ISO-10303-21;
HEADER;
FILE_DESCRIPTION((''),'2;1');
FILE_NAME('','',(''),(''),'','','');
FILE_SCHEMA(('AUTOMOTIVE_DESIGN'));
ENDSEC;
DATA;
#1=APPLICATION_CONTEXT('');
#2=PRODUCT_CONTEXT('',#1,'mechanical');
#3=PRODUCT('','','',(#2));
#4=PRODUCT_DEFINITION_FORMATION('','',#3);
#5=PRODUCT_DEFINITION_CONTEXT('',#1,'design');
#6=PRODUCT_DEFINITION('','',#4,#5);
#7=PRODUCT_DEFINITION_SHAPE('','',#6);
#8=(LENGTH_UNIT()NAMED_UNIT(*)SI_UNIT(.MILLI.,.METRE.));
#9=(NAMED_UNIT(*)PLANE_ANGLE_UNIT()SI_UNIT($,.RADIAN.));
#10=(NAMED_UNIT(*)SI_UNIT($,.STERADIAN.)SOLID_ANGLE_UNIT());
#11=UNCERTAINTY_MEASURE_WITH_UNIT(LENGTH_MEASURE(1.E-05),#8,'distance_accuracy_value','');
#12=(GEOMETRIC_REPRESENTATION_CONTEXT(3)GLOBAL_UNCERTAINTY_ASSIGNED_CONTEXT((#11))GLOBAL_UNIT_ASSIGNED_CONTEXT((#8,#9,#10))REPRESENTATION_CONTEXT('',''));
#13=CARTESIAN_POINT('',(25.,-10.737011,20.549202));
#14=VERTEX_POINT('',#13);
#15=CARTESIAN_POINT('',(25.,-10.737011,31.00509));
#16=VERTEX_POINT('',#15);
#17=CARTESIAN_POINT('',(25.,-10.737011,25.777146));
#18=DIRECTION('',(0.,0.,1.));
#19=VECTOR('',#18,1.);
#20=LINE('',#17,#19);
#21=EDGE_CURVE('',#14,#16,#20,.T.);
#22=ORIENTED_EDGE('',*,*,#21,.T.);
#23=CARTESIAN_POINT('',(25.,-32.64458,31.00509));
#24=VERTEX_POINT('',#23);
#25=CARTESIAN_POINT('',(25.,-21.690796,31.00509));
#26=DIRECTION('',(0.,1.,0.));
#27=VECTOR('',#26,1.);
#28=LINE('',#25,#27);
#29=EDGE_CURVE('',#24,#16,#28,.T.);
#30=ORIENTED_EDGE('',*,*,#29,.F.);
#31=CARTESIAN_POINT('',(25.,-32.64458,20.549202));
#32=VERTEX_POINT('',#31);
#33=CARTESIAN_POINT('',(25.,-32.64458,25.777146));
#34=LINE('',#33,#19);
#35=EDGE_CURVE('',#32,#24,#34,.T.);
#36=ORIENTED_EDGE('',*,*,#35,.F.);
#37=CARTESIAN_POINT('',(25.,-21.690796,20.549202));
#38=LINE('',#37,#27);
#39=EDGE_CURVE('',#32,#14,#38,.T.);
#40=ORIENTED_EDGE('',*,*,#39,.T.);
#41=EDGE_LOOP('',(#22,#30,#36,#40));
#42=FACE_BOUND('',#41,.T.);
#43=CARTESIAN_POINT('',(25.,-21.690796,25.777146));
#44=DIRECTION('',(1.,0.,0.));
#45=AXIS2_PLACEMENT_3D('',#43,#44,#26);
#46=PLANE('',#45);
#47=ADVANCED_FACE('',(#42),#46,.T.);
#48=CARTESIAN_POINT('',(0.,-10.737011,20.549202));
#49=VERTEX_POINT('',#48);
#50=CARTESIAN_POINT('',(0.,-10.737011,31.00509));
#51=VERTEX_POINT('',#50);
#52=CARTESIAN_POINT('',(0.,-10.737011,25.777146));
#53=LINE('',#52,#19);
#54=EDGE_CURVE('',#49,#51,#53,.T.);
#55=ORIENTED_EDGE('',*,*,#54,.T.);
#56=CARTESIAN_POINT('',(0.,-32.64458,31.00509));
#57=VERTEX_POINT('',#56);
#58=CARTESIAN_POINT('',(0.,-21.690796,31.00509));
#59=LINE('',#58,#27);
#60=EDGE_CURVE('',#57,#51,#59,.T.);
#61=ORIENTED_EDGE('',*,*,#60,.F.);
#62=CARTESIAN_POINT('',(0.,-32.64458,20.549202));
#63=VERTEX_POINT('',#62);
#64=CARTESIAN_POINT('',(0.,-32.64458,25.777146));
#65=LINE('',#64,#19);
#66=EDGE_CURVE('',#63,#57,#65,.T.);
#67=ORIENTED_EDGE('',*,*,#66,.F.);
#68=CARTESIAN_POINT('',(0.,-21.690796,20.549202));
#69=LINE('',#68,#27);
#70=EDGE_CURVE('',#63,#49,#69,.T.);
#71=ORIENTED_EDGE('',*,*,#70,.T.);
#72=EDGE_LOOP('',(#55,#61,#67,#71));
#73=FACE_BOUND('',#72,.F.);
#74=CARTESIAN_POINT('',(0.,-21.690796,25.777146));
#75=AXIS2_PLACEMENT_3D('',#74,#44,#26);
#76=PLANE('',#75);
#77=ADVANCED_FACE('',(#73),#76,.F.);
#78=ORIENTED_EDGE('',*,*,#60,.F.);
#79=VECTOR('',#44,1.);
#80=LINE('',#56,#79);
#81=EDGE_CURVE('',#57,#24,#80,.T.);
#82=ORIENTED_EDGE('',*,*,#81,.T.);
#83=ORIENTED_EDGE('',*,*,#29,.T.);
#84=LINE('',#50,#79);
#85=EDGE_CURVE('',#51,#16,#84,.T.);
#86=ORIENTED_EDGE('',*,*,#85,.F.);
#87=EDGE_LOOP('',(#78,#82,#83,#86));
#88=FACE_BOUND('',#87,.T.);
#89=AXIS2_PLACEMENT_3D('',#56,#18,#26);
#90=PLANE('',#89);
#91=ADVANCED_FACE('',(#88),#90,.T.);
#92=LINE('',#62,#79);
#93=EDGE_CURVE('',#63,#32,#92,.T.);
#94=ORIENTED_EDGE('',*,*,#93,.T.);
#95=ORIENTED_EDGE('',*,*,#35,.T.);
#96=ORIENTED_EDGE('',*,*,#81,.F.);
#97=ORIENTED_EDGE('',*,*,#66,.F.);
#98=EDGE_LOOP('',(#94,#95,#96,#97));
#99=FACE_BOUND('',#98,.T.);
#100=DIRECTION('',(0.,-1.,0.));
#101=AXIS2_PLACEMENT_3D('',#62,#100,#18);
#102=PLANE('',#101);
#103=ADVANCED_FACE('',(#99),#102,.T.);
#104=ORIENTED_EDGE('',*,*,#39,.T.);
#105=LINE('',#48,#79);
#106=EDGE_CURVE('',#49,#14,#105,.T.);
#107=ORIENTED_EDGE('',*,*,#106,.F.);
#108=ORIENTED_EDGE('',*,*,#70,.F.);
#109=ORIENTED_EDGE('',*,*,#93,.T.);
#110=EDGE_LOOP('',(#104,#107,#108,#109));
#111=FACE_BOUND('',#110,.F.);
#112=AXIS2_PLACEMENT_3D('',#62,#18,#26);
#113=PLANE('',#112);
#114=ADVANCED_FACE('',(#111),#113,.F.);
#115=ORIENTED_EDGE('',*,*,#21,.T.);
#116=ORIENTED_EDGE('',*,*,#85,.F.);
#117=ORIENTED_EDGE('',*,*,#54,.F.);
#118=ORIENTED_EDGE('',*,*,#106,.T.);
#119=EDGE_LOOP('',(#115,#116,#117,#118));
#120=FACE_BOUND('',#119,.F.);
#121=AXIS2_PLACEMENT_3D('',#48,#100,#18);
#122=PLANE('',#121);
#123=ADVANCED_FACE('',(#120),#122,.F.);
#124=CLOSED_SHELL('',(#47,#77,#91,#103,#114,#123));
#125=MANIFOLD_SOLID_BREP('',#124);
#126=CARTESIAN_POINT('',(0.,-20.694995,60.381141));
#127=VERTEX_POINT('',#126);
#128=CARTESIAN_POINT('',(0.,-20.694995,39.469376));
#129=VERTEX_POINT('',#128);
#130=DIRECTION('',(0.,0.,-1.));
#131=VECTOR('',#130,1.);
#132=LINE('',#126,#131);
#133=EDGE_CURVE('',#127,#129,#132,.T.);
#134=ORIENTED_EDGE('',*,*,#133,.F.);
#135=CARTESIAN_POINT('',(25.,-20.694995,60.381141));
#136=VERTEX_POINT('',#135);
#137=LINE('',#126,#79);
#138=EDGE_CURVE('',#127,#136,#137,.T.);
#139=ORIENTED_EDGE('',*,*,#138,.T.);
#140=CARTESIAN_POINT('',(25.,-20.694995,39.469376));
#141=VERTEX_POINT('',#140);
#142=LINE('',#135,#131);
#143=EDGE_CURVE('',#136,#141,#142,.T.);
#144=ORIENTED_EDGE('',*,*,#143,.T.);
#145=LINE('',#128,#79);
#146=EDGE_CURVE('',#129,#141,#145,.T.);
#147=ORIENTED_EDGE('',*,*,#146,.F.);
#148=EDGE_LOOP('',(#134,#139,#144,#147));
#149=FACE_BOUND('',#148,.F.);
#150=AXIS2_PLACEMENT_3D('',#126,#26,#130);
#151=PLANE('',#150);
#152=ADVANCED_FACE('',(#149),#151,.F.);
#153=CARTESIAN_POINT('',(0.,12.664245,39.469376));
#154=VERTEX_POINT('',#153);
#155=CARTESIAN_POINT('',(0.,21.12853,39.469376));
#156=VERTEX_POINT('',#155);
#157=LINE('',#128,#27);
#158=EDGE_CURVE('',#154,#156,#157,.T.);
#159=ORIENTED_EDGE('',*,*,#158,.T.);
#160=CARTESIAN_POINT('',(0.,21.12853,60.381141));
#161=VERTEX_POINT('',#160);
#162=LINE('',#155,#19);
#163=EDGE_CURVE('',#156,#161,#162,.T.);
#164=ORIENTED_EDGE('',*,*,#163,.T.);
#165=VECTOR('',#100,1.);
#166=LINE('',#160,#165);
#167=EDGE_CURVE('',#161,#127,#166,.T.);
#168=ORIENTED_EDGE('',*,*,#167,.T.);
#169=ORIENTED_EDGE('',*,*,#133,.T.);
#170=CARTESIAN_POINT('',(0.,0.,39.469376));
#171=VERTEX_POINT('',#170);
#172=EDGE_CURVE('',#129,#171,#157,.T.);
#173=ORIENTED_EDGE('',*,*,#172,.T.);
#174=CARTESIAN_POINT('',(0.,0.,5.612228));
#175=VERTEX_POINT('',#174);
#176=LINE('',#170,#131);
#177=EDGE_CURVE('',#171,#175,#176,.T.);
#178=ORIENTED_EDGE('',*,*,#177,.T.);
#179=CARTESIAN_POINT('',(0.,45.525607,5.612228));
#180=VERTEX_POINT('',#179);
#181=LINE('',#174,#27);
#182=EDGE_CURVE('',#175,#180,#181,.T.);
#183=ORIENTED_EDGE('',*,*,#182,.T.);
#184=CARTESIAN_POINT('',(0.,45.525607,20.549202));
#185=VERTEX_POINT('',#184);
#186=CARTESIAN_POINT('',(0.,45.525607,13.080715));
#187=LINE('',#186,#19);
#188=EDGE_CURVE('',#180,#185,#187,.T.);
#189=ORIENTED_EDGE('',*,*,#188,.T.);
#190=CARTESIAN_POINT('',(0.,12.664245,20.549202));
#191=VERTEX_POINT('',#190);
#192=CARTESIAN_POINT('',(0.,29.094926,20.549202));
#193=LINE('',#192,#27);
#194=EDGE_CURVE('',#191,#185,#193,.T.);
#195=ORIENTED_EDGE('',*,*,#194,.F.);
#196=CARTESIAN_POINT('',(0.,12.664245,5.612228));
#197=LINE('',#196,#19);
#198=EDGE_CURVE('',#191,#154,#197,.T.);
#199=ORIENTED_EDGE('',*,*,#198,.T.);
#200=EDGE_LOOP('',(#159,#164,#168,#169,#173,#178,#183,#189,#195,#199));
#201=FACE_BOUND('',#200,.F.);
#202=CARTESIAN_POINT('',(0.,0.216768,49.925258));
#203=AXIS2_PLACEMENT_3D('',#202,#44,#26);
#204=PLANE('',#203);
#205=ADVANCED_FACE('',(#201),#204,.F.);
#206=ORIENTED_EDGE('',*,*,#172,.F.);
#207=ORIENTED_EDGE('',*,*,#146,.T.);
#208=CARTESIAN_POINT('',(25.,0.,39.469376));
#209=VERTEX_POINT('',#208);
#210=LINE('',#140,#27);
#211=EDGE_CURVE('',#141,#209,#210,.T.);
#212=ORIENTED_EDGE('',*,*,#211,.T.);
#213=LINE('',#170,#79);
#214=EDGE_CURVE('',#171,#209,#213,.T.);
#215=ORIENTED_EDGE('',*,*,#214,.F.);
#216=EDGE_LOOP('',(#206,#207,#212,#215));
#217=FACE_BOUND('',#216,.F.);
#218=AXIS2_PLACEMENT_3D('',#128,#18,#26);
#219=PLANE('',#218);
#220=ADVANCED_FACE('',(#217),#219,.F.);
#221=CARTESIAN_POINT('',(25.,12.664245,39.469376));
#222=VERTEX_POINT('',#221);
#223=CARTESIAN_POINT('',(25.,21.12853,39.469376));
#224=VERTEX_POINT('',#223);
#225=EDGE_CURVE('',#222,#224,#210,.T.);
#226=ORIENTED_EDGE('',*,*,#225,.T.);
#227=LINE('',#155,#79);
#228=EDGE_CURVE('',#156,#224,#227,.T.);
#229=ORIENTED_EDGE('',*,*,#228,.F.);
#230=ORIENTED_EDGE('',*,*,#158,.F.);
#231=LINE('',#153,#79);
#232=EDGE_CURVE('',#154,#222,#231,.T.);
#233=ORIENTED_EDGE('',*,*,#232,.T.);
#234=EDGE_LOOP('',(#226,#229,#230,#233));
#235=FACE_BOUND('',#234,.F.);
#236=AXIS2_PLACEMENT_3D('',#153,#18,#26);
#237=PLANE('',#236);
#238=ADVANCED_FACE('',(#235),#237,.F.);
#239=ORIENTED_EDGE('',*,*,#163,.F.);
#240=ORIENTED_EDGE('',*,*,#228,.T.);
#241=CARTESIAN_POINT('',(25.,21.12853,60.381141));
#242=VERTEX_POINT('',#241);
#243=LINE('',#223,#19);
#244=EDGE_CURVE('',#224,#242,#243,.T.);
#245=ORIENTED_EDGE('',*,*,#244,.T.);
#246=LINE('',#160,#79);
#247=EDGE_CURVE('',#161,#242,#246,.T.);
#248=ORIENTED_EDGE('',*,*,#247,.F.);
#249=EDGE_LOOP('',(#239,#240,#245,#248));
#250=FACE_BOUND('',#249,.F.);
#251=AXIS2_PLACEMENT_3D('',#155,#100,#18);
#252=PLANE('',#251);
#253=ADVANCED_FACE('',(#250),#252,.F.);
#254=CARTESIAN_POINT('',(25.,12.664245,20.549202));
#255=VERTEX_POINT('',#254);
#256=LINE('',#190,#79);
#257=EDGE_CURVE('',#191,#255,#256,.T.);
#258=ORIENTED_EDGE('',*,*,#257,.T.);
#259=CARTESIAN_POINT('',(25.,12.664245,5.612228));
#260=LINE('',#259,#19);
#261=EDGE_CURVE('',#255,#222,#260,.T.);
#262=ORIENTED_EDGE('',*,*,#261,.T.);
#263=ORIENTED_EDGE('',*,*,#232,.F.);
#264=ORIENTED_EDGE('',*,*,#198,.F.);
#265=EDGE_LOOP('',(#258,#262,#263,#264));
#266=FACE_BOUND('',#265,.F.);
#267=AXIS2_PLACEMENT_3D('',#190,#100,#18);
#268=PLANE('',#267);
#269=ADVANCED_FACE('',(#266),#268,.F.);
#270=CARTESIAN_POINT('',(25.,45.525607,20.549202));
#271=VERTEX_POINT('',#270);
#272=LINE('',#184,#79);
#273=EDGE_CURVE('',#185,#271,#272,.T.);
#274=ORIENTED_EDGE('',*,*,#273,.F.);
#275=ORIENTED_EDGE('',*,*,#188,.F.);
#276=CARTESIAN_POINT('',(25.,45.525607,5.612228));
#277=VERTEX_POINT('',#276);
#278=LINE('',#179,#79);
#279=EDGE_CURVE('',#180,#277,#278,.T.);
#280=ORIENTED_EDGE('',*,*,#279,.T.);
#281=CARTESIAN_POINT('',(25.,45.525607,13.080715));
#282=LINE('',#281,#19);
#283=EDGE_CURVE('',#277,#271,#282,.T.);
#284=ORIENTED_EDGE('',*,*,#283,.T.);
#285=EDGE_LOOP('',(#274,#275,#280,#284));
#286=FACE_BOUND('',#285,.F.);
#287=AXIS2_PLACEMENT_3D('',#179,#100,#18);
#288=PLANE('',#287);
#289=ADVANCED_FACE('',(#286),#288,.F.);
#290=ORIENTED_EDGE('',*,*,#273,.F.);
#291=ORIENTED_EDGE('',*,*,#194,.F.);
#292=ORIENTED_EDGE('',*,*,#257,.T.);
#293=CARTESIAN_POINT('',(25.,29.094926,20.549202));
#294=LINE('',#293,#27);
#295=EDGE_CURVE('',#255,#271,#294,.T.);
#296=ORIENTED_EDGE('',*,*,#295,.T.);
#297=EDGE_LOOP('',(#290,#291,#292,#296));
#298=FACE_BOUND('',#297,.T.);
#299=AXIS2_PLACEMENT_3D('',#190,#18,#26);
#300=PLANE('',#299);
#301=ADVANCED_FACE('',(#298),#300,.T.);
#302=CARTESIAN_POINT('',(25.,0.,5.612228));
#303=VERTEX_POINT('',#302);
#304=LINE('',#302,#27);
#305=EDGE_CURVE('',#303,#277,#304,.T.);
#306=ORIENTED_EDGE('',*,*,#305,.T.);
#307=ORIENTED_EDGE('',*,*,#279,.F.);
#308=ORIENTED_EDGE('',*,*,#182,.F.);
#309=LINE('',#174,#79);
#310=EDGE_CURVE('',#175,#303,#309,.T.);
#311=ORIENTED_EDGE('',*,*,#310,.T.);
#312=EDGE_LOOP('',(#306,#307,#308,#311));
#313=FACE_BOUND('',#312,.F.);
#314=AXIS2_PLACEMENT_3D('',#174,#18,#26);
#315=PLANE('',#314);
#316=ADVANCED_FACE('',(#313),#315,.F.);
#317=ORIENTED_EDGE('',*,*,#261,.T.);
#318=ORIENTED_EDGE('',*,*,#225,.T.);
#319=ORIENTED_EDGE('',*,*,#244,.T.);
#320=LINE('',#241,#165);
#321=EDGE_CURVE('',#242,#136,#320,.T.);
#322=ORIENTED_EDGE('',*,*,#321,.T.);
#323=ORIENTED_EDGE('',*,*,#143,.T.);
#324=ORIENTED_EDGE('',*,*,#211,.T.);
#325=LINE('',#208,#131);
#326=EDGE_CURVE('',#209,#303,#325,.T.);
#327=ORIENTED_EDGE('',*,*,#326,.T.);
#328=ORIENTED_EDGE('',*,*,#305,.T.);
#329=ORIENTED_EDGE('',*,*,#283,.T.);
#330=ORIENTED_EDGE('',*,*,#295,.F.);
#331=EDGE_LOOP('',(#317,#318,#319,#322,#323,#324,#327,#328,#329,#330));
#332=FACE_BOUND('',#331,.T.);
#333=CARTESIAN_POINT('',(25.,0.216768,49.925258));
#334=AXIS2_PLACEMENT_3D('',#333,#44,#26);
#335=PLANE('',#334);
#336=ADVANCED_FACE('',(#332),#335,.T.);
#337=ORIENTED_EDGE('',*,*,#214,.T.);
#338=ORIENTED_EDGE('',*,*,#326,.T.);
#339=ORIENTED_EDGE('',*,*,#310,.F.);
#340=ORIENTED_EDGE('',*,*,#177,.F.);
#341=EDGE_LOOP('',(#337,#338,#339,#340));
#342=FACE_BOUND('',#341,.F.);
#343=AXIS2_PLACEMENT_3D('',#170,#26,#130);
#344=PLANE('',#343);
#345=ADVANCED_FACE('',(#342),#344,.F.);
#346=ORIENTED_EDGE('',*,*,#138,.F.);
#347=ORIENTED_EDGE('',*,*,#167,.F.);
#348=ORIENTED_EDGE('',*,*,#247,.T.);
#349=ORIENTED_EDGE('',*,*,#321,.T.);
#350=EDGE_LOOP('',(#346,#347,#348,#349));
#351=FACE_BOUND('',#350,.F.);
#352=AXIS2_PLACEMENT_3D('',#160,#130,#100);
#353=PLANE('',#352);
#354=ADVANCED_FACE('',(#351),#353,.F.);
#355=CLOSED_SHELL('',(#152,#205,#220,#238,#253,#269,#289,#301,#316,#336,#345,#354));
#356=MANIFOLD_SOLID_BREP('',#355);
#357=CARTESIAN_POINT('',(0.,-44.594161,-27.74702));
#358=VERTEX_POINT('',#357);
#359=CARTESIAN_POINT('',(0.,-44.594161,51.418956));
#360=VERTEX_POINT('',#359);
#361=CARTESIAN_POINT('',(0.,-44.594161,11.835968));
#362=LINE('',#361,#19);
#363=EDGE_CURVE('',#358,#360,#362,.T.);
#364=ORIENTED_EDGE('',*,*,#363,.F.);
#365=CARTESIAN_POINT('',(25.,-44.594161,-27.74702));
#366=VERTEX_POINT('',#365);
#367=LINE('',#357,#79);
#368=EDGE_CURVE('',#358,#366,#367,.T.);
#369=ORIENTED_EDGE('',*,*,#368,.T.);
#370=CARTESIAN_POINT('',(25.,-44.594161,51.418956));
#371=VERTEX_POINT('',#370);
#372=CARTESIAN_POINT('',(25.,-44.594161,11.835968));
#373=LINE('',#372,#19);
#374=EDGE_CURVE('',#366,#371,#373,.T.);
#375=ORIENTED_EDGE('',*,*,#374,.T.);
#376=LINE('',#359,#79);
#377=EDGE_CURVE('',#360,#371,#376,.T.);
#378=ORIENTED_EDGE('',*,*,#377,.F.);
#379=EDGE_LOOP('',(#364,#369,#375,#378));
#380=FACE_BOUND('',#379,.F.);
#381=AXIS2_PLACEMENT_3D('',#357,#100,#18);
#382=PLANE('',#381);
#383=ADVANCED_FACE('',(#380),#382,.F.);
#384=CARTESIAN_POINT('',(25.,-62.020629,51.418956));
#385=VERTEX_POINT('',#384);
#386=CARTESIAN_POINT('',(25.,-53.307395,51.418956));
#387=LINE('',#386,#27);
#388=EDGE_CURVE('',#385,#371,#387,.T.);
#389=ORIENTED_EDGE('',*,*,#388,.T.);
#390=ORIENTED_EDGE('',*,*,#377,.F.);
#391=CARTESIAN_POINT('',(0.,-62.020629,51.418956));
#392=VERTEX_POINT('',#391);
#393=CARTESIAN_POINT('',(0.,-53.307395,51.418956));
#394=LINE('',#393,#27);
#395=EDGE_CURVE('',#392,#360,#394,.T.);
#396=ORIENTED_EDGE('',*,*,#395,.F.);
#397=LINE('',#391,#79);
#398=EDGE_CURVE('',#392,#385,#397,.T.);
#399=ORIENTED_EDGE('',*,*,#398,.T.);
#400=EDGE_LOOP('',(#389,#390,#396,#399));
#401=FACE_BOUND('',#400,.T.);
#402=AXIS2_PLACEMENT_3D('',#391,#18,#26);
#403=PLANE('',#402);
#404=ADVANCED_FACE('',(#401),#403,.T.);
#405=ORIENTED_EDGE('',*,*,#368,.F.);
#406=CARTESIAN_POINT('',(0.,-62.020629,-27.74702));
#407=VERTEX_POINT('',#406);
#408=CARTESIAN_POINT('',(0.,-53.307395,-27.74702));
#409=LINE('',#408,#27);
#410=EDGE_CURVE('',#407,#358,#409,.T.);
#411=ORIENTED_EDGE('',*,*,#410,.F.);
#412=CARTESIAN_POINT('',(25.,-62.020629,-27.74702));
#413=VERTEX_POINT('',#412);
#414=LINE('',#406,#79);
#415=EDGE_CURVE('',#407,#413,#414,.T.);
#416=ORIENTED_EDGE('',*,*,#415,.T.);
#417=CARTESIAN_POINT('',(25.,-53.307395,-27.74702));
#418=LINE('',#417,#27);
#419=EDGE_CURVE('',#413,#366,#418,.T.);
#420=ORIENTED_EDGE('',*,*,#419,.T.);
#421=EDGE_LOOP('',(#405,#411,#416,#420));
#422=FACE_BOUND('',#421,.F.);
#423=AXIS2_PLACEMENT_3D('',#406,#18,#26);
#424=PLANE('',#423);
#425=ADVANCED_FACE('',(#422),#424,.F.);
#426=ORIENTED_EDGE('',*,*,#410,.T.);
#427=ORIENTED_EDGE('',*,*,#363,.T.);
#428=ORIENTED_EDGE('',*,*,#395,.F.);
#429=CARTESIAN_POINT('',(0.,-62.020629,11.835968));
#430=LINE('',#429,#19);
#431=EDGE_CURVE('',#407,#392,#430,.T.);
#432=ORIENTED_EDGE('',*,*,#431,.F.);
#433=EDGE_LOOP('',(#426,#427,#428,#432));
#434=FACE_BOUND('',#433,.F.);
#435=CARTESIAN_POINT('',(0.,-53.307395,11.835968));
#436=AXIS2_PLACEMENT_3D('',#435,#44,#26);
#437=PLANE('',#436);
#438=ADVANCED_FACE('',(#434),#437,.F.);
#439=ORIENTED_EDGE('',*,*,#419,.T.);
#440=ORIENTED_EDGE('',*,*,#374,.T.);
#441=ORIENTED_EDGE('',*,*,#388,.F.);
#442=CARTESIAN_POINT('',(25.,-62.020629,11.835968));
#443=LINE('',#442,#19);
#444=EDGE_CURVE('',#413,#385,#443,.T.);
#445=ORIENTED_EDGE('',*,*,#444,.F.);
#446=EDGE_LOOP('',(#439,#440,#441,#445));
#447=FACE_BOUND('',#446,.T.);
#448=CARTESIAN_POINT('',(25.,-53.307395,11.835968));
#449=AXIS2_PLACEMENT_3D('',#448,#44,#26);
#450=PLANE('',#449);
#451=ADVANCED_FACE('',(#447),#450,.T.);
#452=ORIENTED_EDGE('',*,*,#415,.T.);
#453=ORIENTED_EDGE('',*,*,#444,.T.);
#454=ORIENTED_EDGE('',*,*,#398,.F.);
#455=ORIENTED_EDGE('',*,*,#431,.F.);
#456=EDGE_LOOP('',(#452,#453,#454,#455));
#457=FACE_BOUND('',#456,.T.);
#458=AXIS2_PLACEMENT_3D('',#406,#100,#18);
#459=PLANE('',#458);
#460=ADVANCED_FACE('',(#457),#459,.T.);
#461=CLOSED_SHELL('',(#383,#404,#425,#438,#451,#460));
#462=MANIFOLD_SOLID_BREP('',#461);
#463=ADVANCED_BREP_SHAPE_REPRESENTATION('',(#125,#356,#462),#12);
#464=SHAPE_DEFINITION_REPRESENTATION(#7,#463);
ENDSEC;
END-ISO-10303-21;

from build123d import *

# Parameters (mm, degrees)
F0_W     = 17.426469
F0_H     = 79.165976
F0_W_2   = 21.907569
F0_H_2   = 10.455888
F0_W_3   = 32.861362
F0_H_3   = 14.936974
F1_DEPTH = 25


with BuildPart() as f1:
    # F0 (on Right) → F1 (new body)
    with BuildSketch(Plane.YZ):
        with Locations((-53.307395, 11.835968)):
            Rectangle(F0_W, F0_H)
        with Locations((-21.690796, 25.777146)):
            Rectangle(F0_W_2, F0_H_2)
        Polygon((-20.694995, 60.381141), (-20.694995, 39.469376), (0, 39.469376), (12.664245, 39.469376), (21.12853, 39.469376), (21.12853, 60.381141), align=None)
        Polygon((12.664245, 39.469376), (0, 39.469376), (0, 5.612228), (12.664245, 5.612228), (12.664245, 20.549202), align=None)
        with Locations((29.094926, 13.080715)):
            Rectangle(F0_W_3, F0_H_3)
    extrude(amount=F1_DEPTH)


solid = f1.part
